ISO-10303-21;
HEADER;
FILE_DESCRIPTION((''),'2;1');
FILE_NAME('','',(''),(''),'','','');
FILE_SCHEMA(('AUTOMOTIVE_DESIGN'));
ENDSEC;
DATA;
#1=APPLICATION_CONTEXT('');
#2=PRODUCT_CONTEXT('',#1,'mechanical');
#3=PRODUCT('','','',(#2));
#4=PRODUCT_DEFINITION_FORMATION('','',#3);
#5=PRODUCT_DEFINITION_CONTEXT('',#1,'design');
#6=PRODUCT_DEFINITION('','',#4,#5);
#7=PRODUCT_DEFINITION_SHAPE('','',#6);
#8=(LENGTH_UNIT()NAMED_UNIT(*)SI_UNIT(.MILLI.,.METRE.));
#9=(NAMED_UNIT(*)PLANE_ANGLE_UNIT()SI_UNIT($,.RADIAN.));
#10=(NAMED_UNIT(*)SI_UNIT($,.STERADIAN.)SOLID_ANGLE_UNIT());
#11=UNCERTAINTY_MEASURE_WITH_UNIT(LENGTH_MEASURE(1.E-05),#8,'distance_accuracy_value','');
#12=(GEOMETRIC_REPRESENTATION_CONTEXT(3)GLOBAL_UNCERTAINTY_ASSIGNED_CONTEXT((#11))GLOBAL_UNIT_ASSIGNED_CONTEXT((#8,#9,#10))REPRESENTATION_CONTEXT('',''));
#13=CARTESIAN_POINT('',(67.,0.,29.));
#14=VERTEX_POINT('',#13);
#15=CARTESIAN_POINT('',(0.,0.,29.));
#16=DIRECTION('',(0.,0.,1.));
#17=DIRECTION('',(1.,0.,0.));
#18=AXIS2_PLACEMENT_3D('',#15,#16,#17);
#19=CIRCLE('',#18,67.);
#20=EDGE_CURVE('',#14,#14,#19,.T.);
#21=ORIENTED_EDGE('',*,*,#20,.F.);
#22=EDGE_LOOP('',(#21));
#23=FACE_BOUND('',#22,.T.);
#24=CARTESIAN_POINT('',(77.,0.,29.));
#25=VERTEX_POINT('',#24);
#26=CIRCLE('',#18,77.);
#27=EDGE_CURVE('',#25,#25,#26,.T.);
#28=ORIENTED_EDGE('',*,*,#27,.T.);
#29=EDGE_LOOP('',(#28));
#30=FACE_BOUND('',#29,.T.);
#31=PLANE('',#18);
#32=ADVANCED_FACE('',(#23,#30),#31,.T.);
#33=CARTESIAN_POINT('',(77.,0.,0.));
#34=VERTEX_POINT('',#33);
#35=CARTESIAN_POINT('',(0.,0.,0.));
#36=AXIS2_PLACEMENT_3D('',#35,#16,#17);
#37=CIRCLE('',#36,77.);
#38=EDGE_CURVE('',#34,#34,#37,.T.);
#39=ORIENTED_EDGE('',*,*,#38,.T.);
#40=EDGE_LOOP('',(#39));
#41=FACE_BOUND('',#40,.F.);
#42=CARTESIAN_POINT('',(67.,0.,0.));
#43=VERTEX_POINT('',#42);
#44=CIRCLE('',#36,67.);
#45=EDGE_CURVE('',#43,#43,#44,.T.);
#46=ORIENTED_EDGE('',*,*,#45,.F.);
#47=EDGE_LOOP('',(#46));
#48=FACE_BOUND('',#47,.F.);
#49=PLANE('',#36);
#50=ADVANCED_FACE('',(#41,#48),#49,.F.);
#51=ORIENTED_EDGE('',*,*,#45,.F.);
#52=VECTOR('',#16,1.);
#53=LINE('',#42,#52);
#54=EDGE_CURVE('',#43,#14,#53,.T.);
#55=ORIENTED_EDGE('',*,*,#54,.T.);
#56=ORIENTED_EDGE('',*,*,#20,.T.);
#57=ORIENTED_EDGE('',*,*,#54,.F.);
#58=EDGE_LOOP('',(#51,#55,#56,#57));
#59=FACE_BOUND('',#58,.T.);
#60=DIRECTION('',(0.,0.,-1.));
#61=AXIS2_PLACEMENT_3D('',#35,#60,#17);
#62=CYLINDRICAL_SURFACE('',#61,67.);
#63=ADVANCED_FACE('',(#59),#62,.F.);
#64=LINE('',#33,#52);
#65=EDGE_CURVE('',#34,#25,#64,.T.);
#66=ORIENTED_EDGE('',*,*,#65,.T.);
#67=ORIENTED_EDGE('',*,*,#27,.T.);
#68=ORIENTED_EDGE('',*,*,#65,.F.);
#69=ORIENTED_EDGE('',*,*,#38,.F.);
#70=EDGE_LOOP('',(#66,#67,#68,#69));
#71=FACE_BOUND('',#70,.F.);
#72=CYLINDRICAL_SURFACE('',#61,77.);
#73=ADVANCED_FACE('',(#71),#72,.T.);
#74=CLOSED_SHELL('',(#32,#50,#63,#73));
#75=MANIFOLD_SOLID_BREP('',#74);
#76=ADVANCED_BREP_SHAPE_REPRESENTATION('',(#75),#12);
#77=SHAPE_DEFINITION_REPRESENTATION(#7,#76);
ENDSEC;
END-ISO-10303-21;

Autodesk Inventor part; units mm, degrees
ref_plane "YZ Plane" through (0, 0, 0) normal (1, 0, 0) x (0, 1, 0)
ref_plane "XZ Plane" through (0, 0, 0) normal (0, 1, 0) x (-1, 0, 0)
ref_plane "XY Plane" through (0, 0, 0) normal (0, 0, 1) x (1, 0, 0)
sketch "スケッチ1" plane through (0, 0, 0) normal (0, 0, 1) x (1, 0, 0)
  circle A0 centre (0, 0) radius 67
  circle A1 centre (0, 0) radius 77
  dimension "d0" = 134
  dimension "d1" = 154
extrude "押し出し1" add sketch "スケッチ1" along normal blind 29
properties part number "TH22_tire_3rd_Fe" material "ポリスチレン"
